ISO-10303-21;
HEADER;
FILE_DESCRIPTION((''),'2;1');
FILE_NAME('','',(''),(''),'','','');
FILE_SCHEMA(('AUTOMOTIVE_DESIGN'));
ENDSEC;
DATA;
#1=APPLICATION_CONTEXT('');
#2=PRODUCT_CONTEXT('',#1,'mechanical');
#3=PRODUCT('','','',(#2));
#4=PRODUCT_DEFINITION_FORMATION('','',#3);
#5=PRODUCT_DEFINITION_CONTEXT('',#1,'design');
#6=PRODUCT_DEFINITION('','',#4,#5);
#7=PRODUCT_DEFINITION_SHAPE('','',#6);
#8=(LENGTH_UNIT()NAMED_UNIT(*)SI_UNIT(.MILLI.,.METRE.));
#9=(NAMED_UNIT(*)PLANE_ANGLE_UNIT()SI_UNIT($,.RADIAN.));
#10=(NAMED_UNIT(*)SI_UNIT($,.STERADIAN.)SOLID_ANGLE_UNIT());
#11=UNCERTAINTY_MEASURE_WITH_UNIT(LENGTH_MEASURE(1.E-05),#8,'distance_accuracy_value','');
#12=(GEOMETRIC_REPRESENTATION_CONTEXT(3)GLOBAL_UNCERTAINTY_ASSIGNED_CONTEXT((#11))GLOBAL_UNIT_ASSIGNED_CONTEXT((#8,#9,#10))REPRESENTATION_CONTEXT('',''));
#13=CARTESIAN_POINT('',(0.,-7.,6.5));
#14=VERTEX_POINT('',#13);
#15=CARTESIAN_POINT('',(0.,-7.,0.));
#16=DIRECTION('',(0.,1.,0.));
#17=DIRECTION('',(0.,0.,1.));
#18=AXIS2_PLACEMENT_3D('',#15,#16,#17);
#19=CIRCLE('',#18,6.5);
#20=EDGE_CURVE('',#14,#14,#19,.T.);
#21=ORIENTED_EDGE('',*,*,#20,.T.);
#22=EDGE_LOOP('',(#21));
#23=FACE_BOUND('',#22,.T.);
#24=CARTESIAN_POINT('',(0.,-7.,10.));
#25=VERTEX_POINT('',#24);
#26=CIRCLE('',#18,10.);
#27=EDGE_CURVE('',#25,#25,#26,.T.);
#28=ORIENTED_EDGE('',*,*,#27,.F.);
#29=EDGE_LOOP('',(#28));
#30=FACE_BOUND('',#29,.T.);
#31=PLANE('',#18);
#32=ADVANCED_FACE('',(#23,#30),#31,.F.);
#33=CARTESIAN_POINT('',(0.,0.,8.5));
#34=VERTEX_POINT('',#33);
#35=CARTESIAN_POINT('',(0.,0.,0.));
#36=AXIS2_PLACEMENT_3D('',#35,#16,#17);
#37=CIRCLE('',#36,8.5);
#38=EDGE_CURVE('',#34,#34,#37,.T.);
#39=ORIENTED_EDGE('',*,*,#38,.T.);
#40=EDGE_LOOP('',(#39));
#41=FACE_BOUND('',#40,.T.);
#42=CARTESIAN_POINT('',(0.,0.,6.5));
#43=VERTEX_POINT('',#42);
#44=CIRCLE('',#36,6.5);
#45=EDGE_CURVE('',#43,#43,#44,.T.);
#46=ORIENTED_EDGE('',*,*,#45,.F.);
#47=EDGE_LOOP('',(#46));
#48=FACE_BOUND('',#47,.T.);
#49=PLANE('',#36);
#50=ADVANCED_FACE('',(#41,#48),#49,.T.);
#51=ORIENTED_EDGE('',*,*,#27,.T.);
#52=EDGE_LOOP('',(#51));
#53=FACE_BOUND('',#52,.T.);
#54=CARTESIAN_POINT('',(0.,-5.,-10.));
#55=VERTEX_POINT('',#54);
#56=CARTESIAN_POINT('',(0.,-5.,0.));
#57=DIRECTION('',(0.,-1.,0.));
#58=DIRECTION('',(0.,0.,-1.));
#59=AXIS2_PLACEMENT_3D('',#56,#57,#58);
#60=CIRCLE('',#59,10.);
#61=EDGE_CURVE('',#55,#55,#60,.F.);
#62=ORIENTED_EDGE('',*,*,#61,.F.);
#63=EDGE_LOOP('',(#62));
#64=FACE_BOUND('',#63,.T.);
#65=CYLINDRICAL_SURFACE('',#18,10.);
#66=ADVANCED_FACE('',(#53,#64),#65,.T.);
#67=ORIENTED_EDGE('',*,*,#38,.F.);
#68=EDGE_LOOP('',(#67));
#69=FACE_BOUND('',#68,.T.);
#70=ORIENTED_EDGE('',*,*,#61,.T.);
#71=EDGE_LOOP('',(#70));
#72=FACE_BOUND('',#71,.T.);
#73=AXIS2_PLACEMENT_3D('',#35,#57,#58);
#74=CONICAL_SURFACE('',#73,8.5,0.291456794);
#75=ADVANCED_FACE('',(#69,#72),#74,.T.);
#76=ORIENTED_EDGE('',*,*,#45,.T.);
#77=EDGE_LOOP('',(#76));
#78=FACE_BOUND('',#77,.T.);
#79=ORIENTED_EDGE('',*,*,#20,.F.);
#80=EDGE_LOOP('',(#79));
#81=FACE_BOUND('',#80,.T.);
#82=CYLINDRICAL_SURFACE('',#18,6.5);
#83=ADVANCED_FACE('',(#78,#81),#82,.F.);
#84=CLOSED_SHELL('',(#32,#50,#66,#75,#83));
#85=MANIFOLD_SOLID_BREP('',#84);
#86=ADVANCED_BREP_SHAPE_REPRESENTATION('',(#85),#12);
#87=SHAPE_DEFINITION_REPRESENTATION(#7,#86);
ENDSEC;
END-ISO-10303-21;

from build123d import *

# Parameters (mm, degrees)
SKETCH2_R           = 10
SKETCH2_R_2         = 6.5
BOSS_EXTRUDE1_DEPTH = 2
SKETCH1_R           = 8.5
SKETCH4_R           = 6.5
CUT_EXTRUDE1_DEPTH  = 16.000000167


with BuildPart() as part:
    # Sketch2 → Boss-Extrude1 (new body)
    with BuildSketch(Plane(origin=(0, -5, 0), x_dir=(1, 0, 0), z_dir=(0, 1, 0))):
        with Locations(Location((0, 0, 0), (0, 0, 270))):
            Circle(SKETCH2_R)
        with Locations(Location((0, 0, 0), (0, 0, 270))):
            Circle(SKETCH2_R_2, mode=Mode.SUBTRACT)
    extrude(amount=-BOSS_EXTRUDE1_DEPTH)

    # Sketch1 → section 1 of loft6
    with BuildSketch(Plane(origin=(0, 0, 0), x_dir=(1, 0, 0), z_dir=(0, 1, 0)), mode=Mode.PRIVATE) as loft6_s1:
        Circle(SKETCH1_R)
    # loft up to a face of the part (loft6)
    loft([Face(Wire([part.edges().sort_by_distance((7.289686274, -5, -6.845471059))[0]])), loft6_s1.sketch])

    # Sketch4 → Cut-Extrude1 (cut, through all)
    with BuildSketch(Plane.XZ.offset(5)):
        with Locations(Location((0, 0, 0), (0, 0, 90))):
            Circle(SKETCH4_R)
    extrude(amount=-CUT_EXTRUDE1_DEPTH, mode=Mode.SUBTRACT)


solid = part.part
